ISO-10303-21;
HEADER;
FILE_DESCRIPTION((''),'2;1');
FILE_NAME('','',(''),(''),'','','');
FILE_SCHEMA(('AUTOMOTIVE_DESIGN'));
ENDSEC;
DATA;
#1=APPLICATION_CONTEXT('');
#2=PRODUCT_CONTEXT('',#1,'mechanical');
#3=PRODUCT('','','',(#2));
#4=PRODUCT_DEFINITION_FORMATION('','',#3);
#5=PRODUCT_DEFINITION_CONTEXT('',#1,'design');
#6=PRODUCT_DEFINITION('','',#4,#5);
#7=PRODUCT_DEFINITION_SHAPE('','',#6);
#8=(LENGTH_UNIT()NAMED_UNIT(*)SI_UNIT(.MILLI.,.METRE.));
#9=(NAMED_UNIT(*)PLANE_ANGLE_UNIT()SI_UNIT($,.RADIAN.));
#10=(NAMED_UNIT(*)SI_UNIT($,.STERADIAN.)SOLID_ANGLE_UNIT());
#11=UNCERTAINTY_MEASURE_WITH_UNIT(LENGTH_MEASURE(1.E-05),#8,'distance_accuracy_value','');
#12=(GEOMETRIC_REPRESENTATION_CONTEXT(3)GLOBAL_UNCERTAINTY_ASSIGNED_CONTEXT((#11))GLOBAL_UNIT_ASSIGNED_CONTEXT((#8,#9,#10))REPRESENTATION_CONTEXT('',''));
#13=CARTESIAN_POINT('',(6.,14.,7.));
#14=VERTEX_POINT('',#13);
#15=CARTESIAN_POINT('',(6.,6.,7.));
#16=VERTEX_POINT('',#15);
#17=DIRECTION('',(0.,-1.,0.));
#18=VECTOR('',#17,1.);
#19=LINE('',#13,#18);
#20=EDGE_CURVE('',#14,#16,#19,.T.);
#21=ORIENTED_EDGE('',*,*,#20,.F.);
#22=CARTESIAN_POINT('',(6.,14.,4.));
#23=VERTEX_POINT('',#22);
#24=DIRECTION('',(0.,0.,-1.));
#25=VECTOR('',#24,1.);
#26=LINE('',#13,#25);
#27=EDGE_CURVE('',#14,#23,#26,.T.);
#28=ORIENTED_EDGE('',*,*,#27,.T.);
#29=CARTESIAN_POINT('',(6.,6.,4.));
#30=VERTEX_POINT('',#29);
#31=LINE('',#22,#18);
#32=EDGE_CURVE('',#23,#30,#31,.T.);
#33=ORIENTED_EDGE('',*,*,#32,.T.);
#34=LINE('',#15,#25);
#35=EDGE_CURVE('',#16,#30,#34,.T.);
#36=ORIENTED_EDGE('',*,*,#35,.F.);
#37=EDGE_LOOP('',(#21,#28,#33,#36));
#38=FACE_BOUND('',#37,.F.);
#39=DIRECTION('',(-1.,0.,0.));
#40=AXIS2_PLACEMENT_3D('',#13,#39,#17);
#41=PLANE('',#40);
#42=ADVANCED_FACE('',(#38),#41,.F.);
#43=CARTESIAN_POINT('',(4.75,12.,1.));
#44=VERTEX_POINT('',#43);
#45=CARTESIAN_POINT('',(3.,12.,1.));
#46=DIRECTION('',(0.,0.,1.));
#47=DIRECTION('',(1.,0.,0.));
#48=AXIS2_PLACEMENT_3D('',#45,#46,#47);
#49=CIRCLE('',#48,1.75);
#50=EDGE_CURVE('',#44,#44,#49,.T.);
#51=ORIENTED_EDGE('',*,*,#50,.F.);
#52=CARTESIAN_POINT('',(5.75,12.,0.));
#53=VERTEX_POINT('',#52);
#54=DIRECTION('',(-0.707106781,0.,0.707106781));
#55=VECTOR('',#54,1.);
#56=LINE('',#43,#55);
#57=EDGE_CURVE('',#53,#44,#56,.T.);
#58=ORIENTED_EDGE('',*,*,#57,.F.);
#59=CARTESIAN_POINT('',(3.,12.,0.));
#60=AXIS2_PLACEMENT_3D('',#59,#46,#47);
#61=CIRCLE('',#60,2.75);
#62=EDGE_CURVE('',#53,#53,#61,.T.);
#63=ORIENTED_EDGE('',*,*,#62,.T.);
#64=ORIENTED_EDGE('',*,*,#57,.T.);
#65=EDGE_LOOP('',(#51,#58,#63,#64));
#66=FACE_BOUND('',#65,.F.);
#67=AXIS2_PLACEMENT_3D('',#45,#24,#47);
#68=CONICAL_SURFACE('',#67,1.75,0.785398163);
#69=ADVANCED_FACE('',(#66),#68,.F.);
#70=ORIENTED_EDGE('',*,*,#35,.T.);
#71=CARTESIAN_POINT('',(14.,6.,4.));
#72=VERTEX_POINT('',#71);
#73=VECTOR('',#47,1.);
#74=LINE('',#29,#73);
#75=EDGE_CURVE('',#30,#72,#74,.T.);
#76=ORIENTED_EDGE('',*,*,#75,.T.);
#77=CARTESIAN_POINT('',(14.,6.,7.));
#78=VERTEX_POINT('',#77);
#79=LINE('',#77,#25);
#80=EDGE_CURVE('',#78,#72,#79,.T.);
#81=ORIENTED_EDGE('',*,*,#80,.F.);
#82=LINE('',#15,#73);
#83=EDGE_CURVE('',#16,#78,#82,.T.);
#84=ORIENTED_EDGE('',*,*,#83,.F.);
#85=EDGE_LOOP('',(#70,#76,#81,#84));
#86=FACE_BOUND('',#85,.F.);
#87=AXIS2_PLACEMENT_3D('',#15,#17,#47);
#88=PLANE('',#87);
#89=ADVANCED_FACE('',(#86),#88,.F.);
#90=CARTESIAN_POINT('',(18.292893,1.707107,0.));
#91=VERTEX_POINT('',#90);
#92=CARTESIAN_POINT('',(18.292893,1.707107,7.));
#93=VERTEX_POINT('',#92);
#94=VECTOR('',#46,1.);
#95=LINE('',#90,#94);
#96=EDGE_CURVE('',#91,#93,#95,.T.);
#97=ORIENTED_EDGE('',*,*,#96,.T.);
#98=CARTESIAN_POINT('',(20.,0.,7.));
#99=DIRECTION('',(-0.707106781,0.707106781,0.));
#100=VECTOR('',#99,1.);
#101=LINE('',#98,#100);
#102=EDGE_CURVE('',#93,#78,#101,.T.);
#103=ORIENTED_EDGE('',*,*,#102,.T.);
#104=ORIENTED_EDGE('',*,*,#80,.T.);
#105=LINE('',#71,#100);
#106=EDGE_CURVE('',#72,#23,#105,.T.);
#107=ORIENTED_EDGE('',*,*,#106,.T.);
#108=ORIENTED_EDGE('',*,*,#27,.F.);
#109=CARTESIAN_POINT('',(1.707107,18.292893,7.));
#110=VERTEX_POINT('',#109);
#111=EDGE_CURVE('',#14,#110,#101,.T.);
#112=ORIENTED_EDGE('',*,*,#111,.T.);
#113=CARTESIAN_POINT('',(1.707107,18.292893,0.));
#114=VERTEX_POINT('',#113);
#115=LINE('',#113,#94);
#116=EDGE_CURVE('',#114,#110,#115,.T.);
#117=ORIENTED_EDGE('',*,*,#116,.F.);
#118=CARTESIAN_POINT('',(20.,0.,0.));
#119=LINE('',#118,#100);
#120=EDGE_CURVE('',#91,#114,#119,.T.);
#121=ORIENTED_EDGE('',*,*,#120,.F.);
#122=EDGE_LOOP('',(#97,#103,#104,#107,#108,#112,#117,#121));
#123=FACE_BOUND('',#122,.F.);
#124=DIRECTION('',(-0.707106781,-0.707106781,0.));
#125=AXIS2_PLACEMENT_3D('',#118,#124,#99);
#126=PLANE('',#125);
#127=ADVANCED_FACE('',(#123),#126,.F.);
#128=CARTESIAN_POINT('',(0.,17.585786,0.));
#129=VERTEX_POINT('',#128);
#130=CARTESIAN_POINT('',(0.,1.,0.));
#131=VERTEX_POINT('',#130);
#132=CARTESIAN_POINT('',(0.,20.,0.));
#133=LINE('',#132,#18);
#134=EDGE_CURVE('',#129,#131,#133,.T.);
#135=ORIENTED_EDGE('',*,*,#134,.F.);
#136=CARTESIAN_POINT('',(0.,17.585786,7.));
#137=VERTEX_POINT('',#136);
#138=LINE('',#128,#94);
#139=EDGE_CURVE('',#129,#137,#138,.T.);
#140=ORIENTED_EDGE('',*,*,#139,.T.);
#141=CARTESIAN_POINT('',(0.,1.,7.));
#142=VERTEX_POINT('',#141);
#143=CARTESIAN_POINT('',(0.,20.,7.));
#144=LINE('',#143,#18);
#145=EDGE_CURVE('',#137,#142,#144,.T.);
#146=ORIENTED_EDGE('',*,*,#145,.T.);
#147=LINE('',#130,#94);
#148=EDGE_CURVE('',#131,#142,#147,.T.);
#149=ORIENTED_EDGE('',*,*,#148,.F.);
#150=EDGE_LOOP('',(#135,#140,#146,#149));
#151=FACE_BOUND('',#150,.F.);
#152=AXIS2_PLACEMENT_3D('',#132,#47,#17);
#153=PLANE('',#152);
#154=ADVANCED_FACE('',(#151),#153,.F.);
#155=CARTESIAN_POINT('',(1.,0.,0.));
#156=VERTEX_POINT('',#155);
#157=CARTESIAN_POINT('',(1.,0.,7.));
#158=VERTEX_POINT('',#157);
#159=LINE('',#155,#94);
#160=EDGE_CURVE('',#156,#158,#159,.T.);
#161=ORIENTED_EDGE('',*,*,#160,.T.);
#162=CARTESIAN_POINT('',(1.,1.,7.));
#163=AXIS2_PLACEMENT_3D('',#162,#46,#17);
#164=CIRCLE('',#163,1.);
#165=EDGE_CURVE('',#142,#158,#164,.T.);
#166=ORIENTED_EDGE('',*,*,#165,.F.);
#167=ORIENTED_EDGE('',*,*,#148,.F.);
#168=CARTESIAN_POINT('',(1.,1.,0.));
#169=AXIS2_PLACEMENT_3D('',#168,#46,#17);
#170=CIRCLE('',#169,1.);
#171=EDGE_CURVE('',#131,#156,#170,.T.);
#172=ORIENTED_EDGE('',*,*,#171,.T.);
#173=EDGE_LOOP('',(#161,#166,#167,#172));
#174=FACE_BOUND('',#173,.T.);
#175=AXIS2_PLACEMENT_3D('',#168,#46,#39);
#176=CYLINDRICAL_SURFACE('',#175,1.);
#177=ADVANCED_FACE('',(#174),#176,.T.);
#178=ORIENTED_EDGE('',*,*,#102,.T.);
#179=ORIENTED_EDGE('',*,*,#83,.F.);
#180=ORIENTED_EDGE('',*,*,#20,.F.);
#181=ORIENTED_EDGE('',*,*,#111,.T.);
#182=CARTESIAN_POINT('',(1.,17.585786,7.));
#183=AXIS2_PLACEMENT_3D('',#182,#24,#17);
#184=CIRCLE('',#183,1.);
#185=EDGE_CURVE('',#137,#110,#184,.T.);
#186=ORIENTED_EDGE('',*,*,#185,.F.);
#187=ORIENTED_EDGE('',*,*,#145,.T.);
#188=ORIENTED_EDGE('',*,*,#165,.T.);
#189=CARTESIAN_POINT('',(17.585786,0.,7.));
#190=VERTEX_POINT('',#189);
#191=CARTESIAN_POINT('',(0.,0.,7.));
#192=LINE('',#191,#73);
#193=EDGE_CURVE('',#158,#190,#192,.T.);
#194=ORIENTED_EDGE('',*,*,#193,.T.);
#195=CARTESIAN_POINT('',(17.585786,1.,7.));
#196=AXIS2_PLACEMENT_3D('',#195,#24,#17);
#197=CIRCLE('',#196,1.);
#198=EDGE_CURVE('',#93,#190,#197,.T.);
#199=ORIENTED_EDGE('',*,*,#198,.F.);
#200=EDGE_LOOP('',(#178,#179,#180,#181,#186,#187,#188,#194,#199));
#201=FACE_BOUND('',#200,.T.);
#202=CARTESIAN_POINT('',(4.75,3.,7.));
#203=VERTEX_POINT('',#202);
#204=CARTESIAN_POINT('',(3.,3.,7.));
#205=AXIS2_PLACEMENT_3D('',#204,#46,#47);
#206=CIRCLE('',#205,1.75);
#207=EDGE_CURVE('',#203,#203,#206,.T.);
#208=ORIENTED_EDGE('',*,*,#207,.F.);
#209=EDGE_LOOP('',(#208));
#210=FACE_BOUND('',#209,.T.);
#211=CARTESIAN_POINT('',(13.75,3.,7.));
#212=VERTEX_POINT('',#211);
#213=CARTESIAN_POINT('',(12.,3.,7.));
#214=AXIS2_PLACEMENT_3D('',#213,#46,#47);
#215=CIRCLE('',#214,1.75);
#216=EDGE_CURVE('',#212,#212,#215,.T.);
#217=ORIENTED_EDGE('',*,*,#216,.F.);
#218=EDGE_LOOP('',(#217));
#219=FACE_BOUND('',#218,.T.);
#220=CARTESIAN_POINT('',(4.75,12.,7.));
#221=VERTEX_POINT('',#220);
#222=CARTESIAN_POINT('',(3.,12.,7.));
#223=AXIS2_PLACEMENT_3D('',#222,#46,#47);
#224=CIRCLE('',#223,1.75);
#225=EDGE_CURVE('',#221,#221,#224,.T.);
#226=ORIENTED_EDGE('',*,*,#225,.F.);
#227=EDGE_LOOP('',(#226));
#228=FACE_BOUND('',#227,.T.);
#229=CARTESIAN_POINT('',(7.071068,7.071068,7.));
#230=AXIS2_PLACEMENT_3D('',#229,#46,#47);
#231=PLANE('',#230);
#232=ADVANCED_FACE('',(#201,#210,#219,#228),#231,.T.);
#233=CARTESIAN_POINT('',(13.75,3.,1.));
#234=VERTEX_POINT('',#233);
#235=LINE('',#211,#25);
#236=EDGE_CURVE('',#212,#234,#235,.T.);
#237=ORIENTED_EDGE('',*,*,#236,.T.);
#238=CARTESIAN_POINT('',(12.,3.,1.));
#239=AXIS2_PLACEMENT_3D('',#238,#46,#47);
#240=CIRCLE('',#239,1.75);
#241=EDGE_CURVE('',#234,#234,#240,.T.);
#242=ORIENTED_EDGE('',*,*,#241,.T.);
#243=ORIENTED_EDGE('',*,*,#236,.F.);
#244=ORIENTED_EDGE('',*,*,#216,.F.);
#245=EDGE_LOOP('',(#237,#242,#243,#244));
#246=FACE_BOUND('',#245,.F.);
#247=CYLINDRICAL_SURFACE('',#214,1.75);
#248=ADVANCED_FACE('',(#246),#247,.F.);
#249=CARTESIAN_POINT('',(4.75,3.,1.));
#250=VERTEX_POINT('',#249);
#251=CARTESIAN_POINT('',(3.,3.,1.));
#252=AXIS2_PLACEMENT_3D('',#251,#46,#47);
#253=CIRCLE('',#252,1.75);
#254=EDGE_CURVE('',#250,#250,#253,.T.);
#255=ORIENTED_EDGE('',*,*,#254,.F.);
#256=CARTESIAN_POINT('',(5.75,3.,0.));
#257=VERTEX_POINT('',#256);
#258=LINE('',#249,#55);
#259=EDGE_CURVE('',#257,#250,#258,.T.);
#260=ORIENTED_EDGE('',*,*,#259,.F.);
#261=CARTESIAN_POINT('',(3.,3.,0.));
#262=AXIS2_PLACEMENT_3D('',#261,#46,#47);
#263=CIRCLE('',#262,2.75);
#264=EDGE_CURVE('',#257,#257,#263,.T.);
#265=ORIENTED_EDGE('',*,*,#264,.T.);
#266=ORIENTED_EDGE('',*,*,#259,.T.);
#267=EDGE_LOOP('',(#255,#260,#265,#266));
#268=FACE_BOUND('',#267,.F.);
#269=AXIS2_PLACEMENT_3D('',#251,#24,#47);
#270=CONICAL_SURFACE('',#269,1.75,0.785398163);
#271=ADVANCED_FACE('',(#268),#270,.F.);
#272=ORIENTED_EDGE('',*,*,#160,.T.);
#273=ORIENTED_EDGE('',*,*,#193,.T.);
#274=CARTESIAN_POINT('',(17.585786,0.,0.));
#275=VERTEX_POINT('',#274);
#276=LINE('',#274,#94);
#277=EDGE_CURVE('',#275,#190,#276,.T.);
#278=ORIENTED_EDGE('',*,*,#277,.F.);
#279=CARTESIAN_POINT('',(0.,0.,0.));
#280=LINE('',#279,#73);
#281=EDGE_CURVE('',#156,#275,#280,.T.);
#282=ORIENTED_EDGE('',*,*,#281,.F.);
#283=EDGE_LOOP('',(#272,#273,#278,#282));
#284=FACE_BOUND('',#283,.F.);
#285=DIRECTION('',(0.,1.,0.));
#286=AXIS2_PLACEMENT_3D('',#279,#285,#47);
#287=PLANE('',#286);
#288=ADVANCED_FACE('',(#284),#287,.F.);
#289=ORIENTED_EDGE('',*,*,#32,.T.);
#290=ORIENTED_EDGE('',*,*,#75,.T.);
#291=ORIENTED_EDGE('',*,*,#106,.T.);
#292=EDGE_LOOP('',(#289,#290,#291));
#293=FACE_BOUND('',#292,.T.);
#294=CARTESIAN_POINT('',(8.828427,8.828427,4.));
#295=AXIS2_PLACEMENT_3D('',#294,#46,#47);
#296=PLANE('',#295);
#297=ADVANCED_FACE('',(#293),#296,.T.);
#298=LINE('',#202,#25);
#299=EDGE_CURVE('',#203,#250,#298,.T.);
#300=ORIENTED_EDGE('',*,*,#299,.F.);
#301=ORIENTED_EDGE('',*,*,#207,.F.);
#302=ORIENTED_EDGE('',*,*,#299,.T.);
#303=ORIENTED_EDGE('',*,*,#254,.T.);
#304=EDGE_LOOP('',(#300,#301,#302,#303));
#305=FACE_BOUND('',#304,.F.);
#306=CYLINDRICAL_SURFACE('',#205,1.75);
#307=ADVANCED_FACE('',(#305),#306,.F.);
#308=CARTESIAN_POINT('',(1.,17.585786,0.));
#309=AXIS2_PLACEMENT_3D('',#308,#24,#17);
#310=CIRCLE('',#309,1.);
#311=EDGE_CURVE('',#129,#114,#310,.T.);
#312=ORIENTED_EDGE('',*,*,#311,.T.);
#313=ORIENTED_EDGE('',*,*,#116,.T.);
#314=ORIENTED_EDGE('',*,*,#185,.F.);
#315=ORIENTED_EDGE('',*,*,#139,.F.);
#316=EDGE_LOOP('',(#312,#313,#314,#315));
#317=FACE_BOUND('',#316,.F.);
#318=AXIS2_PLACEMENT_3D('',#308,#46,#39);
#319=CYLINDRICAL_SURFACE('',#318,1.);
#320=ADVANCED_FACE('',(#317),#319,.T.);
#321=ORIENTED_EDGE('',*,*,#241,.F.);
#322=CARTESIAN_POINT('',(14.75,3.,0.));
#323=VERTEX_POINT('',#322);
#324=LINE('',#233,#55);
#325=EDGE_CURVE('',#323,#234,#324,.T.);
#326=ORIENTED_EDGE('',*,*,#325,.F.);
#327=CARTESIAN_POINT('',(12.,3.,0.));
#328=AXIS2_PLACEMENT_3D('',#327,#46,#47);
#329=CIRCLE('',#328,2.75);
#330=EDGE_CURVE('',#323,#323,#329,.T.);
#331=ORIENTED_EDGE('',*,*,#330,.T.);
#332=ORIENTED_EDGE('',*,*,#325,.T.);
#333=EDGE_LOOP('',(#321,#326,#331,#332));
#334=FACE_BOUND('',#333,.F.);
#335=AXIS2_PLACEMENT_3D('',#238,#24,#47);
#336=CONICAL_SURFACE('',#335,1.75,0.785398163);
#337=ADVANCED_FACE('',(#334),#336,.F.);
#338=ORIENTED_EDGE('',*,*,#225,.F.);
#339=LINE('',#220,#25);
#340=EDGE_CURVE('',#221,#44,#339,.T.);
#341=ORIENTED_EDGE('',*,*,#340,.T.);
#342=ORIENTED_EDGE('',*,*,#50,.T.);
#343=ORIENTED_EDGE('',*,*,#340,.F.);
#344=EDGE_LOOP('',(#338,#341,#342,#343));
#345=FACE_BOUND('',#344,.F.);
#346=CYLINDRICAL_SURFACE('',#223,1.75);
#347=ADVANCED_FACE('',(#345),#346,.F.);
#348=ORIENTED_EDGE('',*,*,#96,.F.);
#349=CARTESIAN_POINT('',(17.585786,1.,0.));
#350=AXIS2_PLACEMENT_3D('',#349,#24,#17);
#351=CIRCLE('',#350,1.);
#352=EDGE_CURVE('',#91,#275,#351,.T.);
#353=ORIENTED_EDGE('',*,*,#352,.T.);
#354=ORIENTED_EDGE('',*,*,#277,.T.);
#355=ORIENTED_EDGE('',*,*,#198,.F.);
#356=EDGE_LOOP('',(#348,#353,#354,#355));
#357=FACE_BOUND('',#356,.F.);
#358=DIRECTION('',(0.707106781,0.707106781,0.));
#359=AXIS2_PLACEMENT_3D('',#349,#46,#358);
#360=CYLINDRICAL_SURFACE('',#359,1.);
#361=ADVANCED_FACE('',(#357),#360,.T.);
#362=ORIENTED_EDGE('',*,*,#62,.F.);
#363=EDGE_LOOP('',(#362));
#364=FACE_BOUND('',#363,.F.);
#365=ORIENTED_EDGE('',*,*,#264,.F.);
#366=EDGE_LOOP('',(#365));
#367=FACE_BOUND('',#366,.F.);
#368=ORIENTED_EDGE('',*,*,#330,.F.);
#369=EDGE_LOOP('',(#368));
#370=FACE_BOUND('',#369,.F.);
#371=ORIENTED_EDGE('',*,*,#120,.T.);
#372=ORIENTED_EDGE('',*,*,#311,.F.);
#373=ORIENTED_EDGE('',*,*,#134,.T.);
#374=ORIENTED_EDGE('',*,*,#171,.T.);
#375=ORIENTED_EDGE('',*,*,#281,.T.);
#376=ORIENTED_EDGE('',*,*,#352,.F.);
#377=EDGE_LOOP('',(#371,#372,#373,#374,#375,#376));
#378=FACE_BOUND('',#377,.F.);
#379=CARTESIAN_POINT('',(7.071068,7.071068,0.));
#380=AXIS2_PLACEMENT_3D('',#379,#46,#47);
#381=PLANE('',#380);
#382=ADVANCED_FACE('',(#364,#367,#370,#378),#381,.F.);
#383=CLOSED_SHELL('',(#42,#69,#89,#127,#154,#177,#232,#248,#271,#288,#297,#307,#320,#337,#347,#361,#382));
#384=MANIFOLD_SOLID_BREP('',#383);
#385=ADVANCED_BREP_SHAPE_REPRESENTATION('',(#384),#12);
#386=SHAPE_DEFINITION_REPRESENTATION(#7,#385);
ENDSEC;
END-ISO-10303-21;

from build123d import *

# Parameters (mm, degrees)
PAD_DEPTH       = 7
POCKET_DEPTH    = 3
SKETCH002_R     = 1.75
POCKET001_DEPTH = 7.001
FILLET_R        = 1
CHAMFER_SIZE    = 1


with BuildPart() as part:
    # Sketch → Pad (new body)
    with BuildSketch(Plane.XY):
        Polygon((0, 20), (0, 0), (20, 0), align=None)
    extrude(amount=PAD_DEPTH)

    # Sketch001 (on Face5 of Pad) → Pocket (cut)
    with BuildSketch(Plane.XY.offset(7)):
        Polygon((6, 14), (6, 6), (14, 6), align=None)
    extrude(amount=-POCKET_DEPTH, mode=Mode.SUBTRACT)

    # Sketch002 (on Face5 of Pocket) → Pocket001 (cut, through all)
    with BuildSketch(Plane.XY.offset(7)):
        with Locations((3, 3)):
            Circle(SKETCH002_R)
        with Locations((12, 3)):
            Circle(SKETCH002_R)
        with Locations((3, 12)):
            Circle(SKETCH002_R)
    extrude(amount=-POCKET001_DEPTH, mode=Mode.SUBTRACT)

    # Fillet
    fillet_edges = [part.edges().sort_by_distance(p)[0] for p in [
        (0, 0, 3.5),
        (20, 0, 3.5),
        (0, 20, 3.5),
    ]]
    fillet(fillet_edges, radius=FILLET_R)

    # Chamfer
    chamfer_edges = [part.edges().sort_by_distance(p)[0] for p in [
        (1.25, 12, 0),
        (10.25, 3, 0),
        (1.25, 3, 0),
    ]]
    chamfer(chamfer_edges, length=CHAMFER_SIZE)


solid = part.part
